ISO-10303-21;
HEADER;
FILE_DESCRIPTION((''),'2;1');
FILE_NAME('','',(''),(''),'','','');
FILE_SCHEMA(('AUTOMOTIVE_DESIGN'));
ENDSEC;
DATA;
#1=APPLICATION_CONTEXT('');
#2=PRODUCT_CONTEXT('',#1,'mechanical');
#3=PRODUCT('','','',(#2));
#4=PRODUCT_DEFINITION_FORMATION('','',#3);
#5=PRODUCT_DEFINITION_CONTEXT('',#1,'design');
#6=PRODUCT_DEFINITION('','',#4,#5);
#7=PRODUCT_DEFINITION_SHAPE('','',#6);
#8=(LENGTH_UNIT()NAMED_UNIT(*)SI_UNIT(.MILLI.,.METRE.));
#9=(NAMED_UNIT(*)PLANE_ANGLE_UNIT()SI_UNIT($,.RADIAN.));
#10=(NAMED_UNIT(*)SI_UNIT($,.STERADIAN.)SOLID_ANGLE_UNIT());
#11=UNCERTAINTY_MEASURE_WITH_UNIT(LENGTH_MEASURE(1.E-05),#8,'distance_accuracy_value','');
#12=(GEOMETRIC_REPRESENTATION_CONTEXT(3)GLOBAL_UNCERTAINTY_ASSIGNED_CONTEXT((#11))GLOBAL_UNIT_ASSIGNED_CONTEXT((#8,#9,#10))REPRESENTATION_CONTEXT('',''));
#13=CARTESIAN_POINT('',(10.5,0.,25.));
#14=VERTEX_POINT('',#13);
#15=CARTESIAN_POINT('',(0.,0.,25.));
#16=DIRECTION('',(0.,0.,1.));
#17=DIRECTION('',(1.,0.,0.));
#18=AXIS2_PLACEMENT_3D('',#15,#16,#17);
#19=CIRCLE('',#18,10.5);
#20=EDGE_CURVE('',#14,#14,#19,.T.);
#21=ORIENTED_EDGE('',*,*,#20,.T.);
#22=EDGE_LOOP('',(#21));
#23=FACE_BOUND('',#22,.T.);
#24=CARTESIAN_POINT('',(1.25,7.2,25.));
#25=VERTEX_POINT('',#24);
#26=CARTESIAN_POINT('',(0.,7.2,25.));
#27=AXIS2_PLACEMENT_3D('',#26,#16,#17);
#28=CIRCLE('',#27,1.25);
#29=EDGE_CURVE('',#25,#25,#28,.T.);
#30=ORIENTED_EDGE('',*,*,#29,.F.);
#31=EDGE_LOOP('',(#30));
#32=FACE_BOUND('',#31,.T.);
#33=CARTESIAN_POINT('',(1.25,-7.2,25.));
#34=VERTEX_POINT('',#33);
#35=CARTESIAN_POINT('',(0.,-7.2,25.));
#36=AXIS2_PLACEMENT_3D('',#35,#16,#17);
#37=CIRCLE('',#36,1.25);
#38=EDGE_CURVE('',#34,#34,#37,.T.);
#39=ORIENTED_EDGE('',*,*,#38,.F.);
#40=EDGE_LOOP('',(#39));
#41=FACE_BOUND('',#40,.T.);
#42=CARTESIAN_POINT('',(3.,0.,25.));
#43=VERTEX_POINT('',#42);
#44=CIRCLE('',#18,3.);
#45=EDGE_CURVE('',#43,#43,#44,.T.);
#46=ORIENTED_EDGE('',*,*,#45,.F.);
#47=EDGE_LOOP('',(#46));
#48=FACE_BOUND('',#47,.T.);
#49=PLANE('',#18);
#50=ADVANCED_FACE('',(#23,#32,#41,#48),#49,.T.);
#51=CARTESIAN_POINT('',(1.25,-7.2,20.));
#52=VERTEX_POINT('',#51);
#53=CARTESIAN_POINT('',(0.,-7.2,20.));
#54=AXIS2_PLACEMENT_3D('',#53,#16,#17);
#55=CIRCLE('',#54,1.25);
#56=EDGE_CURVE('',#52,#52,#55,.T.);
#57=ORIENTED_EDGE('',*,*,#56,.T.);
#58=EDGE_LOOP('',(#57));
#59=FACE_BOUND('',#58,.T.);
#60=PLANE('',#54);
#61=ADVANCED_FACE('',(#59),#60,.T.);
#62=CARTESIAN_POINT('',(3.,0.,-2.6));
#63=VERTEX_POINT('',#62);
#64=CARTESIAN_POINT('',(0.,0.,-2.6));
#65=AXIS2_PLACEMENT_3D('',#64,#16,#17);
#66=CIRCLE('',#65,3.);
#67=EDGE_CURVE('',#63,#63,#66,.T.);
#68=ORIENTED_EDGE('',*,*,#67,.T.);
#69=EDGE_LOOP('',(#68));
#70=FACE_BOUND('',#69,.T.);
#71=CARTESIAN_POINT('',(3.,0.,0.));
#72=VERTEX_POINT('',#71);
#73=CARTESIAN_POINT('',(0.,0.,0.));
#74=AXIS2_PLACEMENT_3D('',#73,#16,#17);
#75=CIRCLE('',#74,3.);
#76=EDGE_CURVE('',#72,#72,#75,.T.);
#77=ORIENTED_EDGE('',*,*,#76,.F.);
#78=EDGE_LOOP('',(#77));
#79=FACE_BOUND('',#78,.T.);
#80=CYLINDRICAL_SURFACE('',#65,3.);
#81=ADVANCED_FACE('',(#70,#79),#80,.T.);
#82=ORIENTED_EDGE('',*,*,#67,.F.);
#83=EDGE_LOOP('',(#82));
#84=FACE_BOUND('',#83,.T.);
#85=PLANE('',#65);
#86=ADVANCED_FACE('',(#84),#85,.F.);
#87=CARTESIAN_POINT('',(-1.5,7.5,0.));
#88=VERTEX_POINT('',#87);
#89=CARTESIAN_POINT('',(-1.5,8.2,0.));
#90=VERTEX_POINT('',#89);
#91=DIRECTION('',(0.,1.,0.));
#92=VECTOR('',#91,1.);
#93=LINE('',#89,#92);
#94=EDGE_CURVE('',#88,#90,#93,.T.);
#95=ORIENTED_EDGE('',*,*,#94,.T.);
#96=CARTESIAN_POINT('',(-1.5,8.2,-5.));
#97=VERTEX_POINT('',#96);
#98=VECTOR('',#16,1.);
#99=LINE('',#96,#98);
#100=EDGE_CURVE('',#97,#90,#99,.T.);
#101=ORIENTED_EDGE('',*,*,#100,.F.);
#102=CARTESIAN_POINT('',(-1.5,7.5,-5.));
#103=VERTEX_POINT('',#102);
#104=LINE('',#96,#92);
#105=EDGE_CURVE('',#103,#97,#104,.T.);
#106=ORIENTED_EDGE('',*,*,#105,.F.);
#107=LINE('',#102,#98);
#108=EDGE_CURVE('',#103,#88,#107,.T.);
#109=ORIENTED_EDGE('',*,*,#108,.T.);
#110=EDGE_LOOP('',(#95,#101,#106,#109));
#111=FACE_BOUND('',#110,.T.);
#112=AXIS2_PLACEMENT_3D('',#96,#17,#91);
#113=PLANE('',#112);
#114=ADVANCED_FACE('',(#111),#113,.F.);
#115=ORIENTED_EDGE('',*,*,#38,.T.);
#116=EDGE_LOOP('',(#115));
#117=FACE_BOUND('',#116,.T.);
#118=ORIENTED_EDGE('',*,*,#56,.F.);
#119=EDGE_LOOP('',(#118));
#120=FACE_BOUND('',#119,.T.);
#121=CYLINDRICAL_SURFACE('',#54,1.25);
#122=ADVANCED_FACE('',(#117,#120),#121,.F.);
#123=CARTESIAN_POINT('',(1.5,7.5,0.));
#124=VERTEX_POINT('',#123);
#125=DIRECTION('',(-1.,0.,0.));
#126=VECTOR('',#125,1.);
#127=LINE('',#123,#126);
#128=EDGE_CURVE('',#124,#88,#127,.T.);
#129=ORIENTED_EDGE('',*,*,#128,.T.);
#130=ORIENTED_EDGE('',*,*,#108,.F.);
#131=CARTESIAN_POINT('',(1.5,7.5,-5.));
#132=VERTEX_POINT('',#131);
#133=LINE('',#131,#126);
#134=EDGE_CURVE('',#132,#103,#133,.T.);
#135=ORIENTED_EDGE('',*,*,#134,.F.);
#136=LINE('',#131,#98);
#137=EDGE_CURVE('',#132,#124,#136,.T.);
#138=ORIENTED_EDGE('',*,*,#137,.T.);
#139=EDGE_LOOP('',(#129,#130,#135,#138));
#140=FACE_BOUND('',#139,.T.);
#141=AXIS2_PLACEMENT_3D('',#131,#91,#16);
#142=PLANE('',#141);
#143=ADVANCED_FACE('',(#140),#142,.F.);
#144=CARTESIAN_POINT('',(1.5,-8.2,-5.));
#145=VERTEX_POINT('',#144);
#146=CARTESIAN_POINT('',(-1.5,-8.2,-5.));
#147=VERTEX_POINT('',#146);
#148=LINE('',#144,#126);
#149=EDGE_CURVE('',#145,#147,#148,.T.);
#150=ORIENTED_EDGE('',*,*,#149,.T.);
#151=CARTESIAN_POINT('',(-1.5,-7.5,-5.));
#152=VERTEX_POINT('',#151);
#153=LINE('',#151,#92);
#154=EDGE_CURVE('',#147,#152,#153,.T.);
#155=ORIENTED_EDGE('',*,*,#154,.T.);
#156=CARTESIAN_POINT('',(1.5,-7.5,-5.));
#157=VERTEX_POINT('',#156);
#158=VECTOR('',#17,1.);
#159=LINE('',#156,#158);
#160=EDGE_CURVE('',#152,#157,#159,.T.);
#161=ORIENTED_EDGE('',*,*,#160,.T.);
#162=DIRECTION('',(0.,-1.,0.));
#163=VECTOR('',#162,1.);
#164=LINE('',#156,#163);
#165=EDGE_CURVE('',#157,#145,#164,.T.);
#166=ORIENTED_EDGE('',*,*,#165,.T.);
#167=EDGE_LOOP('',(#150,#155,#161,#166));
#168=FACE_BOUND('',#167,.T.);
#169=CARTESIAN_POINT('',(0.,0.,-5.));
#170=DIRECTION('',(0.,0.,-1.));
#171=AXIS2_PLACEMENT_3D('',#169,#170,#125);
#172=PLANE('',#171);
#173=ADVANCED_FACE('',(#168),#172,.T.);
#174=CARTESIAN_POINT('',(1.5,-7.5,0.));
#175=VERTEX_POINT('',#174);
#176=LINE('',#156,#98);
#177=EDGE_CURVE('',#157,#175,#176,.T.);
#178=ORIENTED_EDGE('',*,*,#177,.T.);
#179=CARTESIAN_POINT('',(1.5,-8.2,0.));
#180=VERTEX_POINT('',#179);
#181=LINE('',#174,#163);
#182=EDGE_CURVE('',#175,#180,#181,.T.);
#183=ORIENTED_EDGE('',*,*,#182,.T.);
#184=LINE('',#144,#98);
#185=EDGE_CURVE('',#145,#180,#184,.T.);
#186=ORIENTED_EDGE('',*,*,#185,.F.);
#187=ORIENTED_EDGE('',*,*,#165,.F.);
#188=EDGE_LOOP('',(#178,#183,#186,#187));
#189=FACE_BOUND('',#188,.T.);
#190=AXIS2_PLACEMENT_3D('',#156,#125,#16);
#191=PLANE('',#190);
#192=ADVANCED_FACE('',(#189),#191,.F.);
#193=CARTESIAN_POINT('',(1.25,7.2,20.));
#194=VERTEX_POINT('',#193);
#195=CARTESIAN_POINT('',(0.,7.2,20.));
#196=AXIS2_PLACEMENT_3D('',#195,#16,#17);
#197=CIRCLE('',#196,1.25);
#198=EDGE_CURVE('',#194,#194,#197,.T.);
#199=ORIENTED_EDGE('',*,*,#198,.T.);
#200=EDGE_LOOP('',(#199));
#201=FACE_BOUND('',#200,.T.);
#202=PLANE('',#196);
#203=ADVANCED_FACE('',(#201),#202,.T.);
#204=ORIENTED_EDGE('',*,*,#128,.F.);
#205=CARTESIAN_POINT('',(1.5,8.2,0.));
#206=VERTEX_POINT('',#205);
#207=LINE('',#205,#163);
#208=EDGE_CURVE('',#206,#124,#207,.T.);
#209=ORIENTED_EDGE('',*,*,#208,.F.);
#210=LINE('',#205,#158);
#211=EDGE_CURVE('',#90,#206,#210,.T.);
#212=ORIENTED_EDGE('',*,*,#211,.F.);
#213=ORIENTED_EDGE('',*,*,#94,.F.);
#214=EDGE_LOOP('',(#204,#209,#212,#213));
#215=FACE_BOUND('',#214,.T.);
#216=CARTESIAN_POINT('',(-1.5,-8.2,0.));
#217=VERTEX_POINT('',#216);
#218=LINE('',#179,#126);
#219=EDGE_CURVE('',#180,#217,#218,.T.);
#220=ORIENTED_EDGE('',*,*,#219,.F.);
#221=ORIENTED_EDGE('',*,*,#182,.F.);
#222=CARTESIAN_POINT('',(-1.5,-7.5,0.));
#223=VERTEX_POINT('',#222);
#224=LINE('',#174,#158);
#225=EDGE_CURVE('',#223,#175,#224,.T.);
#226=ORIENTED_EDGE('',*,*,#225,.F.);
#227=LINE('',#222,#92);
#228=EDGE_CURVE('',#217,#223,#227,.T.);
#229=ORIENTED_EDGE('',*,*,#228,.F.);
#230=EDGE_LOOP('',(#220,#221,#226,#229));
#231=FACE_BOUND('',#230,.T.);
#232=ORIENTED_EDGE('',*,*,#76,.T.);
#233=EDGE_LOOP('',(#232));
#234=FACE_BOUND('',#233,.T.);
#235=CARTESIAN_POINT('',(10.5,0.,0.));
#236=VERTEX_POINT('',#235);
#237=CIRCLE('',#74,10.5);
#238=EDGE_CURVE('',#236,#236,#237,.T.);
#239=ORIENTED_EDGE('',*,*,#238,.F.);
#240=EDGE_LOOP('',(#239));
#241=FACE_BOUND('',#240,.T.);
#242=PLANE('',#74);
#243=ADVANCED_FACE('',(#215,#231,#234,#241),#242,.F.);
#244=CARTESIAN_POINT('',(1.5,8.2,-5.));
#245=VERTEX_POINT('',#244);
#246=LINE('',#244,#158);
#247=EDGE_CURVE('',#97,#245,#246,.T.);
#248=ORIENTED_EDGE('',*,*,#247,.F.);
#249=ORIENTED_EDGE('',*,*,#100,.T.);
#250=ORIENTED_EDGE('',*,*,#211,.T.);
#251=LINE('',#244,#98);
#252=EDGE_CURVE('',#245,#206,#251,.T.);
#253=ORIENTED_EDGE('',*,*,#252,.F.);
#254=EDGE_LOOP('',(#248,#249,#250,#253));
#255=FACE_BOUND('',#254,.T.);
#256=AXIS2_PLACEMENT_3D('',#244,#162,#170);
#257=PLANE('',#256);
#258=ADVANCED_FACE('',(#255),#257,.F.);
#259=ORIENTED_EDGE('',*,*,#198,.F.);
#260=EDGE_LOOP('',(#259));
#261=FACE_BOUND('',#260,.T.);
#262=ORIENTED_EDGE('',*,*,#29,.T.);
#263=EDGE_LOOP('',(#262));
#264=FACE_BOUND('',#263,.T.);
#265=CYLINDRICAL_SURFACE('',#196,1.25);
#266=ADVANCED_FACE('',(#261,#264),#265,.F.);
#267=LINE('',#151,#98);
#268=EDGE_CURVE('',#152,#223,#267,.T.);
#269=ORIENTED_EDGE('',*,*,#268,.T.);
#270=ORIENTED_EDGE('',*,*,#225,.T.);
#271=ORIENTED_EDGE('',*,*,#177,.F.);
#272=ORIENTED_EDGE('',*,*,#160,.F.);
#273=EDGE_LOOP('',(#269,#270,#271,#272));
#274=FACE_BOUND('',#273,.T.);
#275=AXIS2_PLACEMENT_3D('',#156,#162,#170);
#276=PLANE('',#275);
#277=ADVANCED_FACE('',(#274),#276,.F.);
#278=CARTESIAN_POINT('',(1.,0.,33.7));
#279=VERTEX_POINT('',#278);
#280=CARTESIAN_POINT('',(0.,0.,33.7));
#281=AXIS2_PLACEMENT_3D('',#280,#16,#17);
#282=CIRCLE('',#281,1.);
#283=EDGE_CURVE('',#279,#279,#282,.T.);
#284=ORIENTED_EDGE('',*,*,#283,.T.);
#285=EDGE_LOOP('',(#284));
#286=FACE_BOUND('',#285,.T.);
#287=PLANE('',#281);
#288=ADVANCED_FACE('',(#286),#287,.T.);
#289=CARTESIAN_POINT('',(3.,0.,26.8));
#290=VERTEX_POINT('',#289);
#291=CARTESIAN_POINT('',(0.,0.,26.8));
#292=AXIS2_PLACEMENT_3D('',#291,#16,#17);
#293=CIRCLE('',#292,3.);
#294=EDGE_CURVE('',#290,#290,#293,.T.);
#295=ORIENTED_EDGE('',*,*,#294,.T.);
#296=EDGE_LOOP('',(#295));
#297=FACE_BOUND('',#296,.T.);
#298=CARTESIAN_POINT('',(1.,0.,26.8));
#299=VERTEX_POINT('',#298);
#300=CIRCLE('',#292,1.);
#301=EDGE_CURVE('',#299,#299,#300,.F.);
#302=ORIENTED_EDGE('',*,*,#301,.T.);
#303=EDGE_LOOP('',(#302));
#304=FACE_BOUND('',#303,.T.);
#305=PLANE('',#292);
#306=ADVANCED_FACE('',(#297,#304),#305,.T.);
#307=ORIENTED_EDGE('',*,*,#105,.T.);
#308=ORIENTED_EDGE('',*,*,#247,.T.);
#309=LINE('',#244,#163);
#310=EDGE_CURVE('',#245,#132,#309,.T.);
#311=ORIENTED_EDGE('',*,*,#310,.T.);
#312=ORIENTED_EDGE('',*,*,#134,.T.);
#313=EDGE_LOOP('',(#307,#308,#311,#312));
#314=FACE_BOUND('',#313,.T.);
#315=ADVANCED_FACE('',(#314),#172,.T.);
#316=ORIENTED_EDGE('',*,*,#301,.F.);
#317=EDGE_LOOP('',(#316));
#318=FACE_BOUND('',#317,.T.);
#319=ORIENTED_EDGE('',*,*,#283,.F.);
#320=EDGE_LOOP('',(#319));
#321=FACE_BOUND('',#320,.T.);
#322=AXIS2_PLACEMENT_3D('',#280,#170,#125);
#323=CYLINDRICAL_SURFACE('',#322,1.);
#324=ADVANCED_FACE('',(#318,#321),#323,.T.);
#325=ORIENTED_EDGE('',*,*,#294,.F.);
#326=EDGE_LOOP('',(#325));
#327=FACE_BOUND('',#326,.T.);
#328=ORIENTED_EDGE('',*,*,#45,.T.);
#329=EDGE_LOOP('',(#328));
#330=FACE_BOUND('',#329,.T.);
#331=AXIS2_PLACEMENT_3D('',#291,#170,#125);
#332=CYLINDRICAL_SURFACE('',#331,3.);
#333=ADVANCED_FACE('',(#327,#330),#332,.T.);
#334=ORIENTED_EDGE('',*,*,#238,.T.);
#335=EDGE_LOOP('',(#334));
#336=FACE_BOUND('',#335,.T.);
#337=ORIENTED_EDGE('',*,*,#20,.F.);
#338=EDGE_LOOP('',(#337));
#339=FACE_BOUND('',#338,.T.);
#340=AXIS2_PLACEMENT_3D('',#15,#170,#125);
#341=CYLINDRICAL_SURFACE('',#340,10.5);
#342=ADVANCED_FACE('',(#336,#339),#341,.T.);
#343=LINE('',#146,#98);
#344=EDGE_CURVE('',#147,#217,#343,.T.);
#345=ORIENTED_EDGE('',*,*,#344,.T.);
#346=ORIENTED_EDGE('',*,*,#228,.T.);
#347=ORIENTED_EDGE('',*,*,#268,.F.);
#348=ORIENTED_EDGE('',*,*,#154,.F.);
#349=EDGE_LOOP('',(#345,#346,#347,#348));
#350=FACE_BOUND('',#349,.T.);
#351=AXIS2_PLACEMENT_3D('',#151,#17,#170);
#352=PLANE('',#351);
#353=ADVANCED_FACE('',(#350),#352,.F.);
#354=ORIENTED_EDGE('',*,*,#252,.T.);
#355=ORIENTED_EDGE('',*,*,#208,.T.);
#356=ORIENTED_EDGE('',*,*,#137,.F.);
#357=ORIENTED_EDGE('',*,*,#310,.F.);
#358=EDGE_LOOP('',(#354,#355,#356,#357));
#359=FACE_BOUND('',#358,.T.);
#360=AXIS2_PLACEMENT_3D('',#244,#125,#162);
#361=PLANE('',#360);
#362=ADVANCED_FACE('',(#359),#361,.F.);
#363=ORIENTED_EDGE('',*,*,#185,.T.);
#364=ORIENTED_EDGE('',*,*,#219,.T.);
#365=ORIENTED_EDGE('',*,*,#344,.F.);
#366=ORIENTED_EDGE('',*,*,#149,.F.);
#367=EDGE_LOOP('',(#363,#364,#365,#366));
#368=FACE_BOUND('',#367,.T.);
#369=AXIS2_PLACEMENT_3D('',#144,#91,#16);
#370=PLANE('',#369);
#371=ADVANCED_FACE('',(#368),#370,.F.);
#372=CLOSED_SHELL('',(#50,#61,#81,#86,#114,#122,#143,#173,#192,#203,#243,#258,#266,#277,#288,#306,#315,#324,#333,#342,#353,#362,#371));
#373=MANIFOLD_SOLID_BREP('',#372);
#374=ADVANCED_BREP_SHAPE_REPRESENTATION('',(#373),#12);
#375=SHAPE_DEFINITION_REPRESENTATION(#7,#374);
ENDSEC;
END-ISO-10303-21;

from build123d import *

# Parameters (mm, degrees)
SKETCH_1_R          = 10.5
EXTRUDE_1_DEPTH     = 25
SKETCH_2_R          = 3
EXTRUDE_2_DEPTH     = 1.8
EXTRUDE_START       = -1.8
SKETCH_3_R          = 1
EXTRUDE_3_DEPTH     = 8.7
EXTRUDE_START_2     = -27.6
SKETCH_2_2_R        = 3
EXTRUDE_4_DEPTH     = 2.6
SKETCH_4_W          = 3
SKETCH_4_H          = 0.7
EXTRUDE_5_DEPTH     = 5
SKETCH_5_R          = 1.25
CUT_EXTRUDE_1_DEPTH = 5


with BuildPart() as part:
    # 草图1 → 凸台-拉伸1 (new body)
    with BuildSketch(Plane.XY):
        Circle(SKETCH_1_R)
    extrude(amount=EXTRUDE_1_DEPTH)

    # 草图2 → 凸台-拉伸2 (add)
    with BuildSketch(Plane.XY.offset(25)):
        Circle(SKETCH_2_R)
    extrude(amount=EXTRUDE_2_DEPTH)

    # 草图3 → 凸台-拉伸3 (add)
    with BuildSketch(Plane.XY.offset(26.8).offset(EXTRUDE_START)):
        Circle(SKETCH_3_R)
    extrude(amount=EXTRUDE_3_DEPTH)

    # 草图2<2> → 凸台-拉伸4 (add)
    with BuildSketch(Plane.XY.offset(25).offset(EXTRUDE_START_2)):
        Circle(SKETCH_2_2_R)
    extrude(amount=EXTRUDE_4_DEPTH)

    # 草图4 → 凸台-拉伸5 (add)
    with BuildSketch(Plane(origin=(0, 0, 0), x_dir=(-1, 0, 0), z_dir=(0, 0, -1))):
        with Locations((0, 7.85)):
            Rectangle(SKETCH_4_W, SKETCH_4_H)
        with Locations((0, -7.85)):
            Rectangle(SKETCH_4_W, SKETCH_4_H)
    extrude(amount=EXTRUDE_5_DEPTH)

    # 草图5 → 切除-拉伸1 (cut)
    with BuildSketch(Plane.XY.offset(25)):
        with Locations((0, 7.2)):
            Circle(SKETCH_5_R)
        with Locations((0, -7.2)):
            Circle(SKETCH_5_R)
    extrude(amount=-CUT_EXTRUDE_1_DEPTH, mode=Mode.SUBTRACT)


solid = part.part
